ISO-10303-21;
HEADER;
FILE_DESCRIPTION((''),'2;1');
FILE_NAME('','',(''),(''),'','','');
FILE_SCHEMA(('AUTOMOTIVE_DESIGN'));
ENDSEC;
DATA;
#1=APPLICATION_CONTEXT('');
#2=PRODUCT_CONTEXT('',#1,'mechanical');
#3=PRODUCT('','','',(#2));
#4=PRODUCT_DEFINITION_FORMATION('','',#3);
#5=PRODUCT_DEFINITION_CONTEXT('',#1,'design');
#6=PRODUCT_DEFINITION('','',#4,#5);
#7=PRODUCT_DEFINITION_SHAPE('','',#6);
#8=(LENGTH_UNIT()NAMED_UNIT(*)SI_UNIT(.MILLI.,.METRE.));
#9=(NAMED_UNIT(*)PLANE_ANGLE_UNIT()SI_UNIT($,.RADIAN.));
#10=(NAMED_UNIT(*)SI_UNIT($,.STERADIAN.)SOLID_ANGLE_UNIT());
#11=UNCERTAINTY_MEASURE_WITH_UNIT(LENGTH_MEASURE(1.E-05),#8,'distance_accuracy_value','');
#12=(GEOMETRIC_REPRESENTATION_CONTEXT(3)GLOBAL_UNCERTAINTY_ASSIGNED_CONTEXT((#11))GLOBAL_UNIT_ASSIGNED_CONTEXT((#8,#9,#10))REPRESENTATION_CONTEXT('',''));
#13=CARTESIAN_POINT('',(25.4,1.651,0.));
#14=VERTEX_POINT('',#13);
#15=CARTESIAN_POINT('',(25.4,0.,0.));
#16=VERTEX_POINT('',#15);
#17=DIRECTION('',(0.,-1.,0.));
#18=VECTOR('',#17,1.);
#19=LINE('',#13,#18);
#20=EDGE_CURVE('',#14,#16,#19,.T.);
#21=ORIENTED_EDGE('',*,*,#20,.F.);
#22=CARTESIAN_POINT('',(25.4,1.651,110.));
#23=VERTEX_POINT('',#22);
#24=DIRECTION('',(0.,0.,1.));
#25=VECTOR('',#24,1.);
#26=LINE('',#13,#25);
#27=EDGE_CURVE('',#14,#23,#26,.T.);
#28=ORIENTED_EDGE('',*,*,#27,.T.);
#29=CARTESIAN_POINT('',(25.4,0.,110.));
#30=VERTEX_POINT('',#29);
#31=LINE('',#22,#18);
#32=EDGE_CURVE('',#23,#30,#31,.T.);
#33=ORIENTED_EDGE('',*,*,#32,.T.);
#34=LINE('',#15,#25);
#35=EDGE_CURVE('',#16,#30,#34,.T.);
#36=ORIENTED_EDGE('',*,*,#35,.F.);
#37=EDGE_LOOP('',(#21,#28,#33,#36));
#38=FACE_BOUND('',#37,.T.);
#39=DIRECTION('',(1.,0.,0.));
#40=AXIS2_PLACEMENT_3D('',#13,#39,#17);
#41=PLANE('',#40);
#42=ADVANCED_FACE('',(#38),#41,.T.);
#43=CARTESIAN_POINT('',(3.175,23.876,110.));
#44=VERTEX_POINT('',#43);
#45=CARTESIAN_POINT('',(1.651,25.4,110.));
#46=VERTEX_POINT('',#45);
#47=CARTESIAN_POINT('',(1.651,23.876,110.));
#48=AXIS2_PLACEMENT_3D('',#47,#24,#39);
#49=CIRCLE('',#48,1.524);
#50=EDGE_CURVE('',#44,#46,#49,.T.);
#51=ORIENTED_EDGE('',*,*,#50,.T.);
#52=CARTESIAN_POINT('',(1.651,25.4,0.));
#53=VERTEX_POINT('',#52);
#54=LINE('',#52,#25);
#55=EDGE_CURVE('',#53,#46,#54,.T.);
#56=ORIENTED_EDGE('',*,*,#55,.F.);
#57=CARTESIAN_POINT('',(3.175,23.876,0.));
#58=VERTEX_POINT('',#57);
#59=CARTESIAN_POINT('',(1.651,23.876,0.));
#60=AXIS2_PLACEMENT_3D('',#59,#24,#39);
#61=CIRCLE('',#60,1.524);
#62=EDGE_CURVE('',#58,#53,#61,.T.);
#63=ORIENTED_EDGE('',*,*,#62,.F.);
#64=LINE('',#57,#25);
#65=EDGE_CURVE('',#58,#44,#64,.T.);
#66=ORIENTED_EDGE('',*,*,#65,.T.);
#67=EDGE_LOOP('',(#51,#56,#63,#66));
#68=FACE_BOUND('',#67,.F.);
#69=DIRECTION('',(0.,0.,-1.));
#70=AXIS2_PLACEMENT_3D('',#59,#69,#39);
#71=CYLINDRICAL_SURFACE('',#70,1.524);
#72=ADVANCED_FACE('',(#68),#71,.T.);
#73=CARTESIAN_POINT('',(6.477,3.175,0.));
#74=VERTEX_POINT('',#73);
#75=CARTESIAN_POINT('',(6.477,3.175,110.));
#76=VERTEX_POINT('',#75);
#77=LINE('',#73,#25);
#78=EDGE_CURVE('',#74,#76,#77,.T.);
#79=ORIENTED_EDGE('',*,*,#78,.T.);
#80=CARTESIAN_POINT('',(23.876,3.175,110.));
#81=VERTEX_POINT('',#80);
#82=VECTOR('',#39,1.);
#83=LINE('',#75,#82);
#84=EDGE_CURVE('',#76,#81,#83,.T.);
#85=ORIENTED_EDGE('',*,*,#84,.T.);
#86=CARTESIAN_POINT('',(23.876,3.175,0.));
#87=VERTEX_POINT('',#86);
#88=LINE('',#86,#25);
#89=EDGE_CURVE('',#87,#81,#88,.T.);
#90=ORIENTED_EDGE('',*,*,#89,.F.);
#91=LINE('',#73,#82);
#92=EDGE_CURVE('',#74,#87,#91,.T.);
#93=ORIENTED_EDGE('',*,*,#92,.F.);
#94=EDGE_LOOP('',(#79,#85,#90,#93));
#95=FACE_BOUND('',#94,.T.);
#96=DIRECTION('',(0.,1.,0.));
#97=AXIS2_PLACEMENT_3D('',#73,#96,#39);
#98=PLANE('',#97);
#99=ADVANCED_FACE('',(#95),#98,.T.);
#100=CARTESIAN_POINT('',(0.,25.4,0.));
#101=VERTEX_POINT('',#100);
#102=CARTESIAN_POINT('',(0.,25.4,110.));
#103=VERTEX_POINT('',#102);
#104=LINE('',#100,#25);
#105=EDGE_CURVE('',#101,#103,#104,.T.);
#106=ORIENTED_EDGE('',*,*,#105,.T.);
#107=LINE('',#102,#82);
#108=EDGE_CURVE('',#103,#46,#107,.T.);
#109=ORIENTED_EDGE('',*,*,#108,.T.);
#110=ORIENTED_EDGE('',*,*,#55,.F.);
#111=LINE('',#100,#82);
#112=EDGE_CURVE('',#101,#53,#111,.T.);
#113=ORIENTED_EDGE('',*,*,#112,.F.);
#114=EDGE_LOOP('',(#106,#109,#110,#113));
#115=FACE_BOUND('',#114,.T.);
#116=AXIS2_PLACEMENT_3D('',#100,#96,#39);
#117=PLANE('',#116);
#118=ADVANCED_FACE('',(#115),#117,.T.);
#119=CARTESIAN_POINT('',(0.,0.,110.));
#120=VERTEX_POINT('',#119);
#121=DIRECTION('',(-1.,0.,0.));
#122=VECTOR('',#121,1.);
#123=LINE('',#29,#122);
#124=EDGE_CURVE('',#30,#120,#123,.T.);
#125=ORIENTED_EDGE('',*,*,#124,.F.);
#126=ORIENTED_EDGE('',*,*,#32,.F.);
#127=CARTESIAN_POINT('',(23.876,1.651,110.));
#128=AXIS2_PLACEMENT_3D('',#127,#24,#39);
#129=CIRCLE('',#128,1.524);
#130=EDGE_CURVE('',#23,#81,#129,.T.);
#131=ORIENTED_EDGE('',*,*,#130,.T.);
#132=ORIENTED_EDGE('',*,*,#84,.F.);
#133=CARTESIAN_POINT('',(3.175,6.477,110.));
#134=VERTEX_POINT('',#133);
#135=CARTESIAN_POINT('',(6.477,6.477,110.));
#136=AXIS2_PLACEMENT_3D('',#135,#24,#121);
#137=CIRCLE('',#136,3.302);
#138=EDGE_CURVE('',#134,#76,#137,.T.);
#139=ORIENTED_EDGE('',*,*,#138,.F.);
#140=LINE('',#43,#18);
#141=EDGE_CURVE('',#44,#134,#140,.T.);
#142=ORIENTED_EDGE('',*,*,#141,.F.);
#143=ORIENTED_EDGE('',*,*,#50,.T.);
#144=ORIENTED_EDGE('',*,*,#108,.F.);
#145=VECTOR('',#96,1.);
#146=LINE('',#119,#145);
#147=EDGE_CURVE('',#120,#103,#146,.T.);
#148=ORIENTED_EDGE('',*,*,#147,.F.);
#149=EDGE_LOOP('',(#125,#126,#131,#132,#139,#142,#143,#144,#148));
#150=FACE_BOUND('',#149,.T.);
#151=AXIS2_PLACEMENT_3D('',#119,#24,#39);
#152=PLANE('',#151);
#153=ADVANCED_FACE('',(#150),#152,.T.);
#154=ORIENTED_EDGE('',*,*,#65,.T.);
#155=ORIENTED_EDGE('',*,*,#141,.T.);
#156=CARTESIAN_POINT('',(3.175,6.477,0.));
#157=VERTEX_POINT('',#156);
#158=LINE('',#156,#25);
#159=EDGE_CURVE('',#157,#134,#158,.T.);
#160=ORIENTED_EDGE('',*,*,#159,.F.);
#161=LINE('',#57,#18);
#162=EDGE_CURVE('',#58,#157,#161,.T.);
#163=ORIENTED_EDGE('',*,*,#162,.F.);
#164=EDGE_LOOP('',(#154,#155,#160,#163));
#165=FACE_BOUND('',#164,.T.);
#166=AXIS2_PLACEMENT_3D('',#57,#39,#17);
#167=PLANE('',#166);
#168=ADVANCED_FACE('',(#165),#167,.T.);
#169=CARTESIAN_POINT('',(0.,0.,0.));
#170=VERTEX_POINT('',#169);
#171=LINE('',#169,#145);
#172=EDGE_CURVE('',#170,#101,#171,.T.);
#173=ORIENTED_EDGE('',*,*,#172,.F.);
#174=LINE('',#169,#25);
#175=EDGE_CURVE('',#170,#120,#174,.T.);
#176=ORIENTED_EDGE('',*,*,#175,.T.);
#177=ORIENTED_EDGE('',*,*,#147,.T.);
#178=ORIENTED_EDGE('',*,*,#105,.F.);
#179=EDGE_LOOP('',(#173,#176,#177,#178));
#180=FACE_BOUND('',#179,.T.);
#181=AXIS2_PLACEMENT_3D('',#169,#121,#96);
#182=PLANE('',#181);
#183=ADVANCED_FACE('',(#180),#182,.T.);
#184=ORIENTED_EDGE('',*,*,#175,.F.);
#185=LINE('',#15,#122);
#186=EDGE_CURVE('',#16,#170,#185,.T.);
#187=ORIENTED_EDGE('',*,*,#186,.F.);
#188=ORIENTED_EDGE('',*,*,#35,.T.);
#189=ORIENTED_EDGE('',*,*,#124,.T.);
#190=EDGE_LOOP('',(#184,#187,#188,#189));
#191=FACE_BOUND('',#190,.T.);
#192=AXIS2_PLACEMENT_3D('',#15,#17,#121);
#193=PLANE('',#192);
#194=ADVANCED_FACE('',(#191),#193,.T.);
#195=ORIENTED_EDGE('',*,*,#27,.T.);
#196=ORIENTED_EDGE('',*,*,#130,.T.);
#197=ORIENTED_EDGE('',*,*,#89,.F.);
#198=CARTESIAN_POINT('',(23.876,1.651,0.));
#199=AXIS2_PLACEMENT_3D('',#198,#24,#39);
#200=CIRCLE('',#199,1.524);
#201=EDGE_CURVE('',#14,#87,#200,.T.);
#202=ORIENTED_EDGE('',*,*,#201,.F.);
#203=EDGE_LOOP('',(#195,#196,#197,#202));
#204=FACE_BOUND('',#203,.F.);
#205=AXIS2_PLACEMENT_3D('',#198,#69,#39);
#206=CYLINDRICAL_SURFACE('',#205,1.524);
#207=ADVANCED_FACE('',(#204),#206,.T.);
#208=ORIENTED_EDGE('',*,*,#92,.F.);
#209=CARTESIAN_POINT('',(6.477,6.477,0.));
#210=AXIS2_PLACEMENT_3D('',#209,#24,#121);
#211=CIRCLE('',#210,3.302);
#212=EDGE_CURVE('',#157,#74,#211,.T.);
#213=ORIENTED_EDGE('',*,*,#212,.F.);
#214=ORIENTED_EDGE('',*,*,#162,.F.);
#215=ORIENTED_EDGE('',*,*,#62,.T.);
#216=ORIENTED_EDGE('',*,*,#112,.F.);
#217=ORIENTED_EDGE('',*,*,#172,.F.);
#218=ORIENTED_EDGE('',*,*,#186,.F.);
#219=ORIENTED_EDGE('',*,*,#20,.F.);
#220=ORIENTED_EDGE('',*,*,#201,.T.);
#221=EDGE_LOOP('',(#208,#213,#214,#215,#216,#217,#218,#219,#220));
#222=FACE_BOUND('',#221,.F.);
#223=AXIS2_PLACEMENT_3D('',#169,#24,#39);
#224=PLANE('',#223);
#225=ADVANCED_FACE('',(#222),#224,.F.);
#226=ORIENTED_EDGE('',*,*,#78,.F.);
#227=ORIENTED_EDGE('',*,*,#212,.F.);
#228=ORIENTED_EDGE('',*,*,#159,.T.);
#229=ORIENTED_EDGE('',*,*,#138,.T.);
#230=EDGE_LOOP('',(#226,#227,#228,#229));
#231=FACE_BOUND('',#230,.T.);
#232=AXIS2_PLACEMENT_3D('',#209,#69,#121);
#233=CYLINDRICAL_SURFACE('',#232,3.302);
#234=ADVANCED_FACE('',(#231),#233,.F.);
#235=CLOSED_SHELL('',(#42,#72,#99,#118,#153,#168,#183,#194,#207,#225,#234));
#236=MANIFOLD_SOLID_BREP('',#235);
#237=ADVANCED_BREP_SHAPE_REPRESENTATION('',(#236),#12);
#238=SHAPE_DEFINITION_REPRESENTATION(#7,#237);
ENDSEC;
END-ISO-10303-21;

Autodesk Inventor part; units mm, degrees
ref_plane "YZ Plane" through (0, 0, 0) normal (1, 0, 0) x (0, 1, 0)
ref_plane "Start Plane" through (0, 0, 0) normal (0, 0, 1) x (1, 0, 0)
ref_plane "End Plane" through (0, 0, 110) normal (0, 0, 1) x (1, 0, 0)
sketch "Sketch" plane through (0, 0, 0) normal (0, 0, 1) x (1, 0, 0)
  line L0 (25.4, 0) -> (0, 0)
  line L1 (0, 0) -> (0, 25.4)
  line L2 (0, 25.4) -> (1.651, 25.4)
  line L3 (3.175, 23.876) -> (3.175, 6.477)
  line L4 (6.477, 3.175) -> (23.876, 3.175)
  line L5 (25.4, 1.651) -> (25.4, 0)
  line L6 (0, -11.0414) -> (0, 31.5385) construction
  line L7 (-11.0414, 0) -> (31.5385, 0) construction
  arc A0 (3.175, 6.477) -> (6.477, 3.175) centre (6.477, 6.477) ccw
  arc A1 (3.175, 23.876) -> (1.651, 25.4) centre (1.651, 23.876) ccw
  arc A2 (25.4, 1.651) -> (23.876, 3.175) centre (23.876, 1.651) ccw
  line L8 (0, 40.0545) -> (0, -19.5574) construction
  line L9 (-19.5574, 0) -> (40.0545, 0) construction
  point P0 (3.175, 25.4)
  point P1 (3.175, 3.175)
  point P2 (25.4, 3.175)
  dimension "d0" = 25.4
  dimension "d1" = 25.4
  dimension "d2" = 3.175
  dimension "d3" = 3.175
  dimension "d10" = 0
  dimension "d11" = 0
  dimension "d14" = 3.302
  dimension "d15" = 1.524
extrude "Body" add sketch "Sketch" along normal up to surface (110 mm away) from surface at 0
sketch "Sketch3" plane through (0, 0, 0) normal (0, 0, 1) x (1, 0, 0)
  line L0 (0, 0) -> (10, 0)
ref_plane "Work Plane3" through (0, 0, 0) normal (0, -1, 0) x (1, 0, 0)
sketch "Sketch4" plane through (0, 0, 0) normal (0, -1, 0) x (1, 0, 0)
  line L0 (-2, 0) -> (12, 0) projected
  line L1 (-2, 110) -> (12, 110) projected
  dimension "d17" = 110
equation "\"d0\" = G_H"
equation "\"d1\" = G_H"
equation "\"d2\" = G_T"
equation "\"d3\" = G_T"
equation "\"d14\" = G_IR"
equation "\"d15\" = G_ER"
equation "\"d4\" = G_L"
equation "\"G_H\" = 25.4"
equation "\"G_T\" = 3.175"
equation "\"G_ER\" = 1.524"
equation "\"G_IR\" = 3.302"
equation "\"G_L\" = d17"
equation "\"ex\" = 0"
equation "\"G_OFFSET_START\" = 0"
equation "\"G_OFFSET_END\" = 0"
equation "\"d13\" = G_OFFSET_END + B_L"
equation "\"B_L\" = 110"
properties part number "AISC - L 1 x 1 x 1/8 - 4.331" material "Steel, Mild"
